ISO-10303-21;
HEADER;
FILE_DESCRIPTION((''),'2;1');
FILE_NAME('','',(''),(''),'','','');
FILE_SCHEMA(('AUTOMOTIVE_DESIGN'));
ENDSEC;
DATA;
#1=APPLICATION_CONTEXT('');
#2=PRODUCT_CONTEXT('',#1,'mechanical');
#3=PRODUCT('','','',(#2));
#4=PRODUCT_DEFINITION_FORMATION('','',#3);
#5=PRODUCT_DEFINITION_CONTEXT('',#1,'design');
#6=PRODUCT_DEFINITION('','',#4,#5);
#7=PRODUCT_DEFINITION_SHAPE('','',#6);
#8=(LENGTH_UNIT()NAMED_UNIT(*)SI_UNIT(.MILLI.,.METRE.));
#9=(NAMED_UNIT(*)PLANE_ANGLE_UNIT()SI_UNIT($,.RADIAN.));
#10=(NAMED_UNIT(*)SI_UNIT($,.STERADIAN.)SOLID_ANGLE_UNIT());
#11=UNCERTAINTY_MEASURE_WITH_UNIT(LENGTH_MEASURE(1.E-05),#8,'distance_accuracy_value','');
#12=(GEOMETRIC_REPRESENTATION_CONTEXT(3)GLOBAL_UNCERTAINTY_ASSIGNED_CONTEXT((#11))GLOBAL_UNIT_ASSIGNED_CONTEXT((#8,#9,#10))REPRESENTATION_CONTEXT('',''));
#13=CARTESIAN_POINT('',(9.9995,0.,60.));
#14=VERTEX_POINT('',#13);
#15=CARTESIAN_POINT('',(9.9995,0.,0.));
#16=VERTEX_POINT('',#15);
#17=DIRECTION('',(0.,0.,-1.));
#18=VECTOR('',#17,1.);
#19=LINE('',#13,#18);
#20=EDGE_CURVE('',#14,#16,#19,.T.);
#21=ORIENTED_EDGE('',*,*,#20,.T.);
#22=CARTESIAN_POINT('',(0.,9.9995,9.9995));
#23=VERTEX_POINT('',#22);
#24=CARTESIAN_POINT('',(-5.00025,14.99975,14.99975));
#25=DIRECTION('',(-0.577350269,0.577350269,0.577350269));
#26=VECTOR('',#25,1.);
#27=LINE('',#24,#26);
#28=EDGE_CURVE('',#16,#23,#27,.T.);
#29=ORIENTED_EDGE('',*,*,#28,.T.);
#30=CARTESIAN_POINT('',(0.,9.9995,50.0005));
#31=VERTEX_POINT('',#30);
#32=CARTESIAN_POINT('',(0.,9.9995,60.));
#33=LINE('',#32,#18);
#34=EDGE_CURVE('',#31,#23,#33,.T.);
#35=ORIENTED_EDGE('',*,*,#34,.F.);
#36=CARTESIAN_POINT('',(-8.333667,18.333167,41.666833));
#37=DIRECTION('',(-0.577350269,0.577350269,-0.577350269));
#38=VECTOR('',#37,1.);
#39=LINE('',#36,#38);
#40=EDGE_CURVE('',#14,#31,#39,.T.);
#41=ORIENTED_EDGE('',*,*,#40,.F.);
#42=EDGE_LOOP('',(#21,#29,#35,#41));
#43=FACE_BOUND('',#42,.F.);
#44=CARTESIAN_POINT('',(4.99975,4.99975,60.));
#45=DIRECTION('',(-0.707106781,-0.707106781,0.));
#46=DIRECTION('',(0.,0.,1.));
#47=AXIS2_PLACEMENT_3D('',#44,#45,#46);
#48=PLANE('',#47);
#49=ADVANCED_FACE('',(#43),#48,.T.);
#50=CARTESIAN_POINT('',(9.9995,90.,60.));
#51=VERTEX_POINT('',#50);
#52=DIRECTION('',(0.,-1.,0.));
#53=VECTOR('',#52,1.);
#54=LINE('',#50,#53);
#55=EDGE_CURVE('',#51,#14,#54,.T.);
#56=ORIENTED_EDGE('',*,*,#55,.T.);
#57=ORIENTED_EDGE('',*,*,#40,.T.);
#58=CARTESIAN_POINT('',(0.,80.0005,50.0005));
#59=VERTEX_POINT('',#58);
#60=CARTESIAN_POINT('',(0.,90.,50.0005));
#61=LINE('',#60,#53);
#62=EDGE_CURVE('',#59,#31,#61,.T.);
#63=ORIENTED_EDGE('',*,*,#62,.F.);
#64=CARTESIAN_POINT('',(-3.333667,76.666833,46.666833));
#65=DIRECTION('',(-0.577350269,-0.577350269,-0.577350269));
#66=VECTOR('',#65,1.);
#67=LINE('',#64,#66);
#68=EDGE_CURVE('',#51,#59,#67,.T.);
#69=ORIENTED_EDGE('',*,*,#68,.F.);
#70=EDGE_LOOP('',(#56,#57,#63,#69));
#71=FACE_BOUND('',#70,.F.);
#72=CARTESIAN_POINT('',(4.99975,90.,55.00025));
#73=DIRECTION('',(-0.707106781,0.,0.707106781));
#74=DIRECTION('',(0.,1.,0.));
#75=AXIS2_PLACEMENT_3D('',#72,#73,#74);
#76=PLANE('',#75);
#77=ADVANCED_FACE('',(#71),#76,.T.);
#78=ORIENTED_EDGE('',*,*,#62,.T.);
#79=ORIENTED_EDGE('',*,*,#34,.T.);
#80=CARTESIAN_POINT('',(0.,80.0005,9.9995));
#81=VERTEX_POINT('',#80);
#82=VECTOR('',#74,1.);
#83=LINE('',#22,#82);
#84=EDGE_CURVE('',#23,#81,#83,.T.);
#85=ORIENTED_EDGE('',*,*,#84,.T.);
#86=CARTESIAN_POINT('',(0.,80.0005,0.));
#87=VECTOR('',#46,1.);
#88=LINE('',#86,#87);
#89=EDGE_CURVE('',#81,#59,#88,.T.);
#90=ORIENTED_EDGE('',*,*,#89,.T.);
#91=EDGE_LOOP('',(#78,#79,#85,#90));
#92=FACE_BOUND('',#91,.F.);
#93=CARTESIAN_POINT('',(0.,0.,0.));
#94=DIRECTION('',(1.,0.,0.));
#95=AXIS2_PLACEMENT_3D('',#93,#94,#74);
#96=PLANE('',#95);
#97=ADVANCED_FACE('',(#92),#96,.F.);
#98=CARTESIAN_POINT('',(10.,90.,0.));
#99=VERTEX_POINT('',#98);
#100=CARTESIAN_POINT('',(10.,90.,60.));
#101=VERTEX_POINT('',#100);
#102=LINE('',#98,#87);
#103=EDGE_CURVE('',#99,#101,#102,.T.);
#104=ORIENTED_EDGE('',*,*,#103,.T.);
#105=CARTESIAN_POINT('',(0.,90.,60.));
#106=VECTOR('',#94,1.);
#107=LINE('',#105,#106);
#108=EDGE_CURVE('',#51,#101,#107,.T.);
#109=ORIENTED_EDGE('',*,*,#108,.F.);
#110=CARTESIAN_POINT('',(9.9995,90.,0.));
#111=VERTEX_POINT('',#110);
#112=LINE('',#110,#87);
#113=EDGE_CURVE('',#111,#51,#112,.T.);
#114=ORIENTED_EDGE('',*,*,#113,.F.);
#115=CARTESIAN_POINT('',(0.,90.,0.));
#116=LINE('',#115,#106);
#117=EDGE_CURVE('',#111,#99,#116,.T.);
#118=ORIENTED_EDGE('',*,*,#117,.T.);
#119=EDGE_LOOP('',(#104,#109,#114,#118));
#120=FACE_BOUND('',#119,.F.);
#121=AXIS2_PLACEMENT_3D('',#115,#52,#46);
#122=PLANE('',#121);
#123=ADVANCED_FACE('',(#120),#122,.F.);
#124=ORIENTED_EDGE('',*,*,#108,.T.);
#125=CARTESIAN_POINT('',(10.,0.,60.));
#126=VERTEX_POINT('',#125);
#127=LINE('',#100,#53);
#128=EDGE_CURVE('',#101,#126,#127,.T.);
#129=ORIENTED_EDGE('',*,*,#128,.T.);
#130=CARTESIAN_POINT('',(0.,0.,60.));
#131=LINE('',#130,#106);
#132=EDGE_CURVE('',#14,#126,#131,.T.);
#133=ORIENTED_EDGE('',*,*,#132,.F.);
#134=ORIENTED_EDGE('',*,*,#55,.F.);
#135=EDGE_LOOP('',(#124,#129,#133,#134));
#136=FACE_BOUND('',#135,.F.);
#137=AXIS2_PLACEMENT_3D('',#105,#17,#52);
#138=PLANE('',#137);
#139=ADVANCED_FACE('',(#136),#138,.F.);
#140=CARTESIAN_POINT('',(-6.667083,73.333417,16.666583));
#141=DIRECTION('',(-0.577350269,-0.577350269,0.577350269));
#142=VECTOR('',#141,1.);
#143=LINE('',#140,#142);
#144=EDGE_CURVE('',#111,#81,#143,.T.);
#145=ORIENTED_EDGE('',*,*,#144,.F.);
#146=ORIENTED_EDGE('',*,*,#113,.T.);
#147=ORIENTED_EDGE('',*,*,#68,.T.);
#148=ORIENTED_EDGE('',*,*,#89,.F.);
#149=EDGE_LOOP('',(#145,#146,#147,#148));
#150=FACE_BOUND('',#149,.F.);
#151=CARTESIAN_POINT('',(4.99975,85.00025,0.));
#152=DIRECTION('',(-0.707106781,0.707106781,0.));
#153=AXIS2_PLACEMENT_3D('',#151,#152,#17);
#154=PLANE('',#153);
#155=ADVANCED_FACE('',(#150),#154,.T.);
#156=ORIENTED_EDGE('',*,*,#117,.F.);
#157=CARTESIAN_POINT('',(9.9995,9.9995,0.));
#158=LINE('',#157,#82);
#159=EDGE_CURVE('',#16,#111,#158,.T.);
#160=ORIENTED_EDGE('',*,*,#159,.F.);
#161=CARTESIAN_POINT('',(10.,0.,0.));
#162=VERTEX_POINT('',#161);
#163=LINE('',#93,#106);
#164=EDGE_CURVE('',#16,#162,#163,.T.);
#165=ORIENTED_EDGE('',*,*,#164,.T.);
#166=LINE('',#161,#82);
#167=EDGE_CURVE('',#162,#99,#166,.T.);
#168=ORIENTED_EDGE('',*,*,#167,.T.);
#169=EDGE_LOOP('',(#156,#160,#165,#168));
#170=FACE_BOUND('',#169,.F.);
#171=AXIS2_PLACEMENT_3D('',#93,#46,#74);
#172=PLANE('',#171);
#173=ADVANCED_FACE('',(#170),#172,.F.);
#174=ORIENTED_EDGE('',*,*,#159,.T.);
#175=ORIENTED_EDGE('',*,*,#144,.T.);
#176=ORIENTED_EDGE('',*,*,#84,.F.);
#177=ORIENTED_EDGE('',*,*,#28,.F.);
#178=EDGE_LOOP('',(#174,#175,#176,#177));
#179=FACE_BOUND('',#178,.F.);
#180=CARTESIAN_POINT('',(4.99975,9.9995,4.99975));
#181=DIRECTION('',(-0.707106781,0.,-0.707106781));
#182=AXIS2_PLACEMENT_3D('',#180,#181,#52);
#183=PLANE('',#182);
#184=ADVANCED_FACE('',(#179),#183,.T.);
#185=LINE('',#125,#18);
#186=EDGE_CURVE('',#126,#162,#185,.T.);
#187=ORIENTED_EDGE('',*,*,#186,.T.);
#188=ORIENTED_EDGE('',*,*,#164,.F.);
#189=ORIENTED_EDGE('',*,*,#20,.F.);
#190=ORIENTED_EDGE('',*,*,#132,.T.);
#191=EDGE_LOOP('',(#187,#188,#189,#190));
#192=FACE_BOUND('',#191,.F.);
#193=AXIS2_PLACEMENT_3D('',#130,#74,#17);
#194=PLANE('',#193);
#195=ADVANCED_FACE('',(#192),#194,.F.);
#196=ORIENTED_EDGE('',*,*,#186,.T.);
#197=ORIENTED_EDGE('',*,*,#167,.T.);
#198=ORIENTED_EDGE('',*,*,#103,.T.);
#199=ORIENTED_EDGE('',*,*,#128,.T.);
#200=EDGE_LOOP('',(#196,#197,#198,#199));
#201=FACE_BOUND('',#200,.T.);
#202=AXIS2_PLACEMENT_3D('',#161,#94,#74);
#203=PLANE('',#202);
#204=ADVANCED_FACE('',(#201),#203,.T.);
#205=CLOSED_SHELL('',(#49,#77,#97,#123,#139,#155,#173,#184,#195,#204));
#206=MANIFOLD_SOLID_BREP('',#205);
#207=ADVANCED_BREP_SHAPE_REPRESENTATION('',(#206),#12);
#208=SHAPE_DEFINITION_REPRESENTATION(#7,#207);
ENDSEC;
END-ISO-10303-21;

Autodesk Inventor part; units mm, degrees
ref_plane "YZ Plane" through (0, 0, 0) normal (1, 0, 0) x (0, 1, 0)
ref_plane "XZ Plane" through (0, 0, 0) normal (0, 1, 0) x (-1, 0, 0)
ref_plane "XY Plane" through (0, 0, 0) normal (0, 0, 1) x (1, 0, 0)
sketch "Sketch1" plane through (0, 0, 0) normal (1, 0, 0) x (0, 1, 0)
  line L0 (0, 0) -> (90, 0)
  line L1 (90, 0) -> (90, 60)
  line L2 (90, 60) -> (0, 60)
  line L3 (0, 60) -> (0, 0)
  dimension "d0" = 90
  dimension "d1" = 60
extrude "Extrusion1" add sketch "Sketch1" along normal blind 10
chamfer "Chamfer1" distance 10 angle 45 1 edges at (0, 0, 30)
chamfer "Chamfer2" distance 10 angle 45 1 edges at (0, 49.9997, 60)
chamfer "Chamfer3" distance 10 angle 45 1 edges at (0, 90, 25.0003)
chamfer "Chamfer4" distance 10 angle 45 1 edges at (0, 45, 0)
properties part number "pied"
